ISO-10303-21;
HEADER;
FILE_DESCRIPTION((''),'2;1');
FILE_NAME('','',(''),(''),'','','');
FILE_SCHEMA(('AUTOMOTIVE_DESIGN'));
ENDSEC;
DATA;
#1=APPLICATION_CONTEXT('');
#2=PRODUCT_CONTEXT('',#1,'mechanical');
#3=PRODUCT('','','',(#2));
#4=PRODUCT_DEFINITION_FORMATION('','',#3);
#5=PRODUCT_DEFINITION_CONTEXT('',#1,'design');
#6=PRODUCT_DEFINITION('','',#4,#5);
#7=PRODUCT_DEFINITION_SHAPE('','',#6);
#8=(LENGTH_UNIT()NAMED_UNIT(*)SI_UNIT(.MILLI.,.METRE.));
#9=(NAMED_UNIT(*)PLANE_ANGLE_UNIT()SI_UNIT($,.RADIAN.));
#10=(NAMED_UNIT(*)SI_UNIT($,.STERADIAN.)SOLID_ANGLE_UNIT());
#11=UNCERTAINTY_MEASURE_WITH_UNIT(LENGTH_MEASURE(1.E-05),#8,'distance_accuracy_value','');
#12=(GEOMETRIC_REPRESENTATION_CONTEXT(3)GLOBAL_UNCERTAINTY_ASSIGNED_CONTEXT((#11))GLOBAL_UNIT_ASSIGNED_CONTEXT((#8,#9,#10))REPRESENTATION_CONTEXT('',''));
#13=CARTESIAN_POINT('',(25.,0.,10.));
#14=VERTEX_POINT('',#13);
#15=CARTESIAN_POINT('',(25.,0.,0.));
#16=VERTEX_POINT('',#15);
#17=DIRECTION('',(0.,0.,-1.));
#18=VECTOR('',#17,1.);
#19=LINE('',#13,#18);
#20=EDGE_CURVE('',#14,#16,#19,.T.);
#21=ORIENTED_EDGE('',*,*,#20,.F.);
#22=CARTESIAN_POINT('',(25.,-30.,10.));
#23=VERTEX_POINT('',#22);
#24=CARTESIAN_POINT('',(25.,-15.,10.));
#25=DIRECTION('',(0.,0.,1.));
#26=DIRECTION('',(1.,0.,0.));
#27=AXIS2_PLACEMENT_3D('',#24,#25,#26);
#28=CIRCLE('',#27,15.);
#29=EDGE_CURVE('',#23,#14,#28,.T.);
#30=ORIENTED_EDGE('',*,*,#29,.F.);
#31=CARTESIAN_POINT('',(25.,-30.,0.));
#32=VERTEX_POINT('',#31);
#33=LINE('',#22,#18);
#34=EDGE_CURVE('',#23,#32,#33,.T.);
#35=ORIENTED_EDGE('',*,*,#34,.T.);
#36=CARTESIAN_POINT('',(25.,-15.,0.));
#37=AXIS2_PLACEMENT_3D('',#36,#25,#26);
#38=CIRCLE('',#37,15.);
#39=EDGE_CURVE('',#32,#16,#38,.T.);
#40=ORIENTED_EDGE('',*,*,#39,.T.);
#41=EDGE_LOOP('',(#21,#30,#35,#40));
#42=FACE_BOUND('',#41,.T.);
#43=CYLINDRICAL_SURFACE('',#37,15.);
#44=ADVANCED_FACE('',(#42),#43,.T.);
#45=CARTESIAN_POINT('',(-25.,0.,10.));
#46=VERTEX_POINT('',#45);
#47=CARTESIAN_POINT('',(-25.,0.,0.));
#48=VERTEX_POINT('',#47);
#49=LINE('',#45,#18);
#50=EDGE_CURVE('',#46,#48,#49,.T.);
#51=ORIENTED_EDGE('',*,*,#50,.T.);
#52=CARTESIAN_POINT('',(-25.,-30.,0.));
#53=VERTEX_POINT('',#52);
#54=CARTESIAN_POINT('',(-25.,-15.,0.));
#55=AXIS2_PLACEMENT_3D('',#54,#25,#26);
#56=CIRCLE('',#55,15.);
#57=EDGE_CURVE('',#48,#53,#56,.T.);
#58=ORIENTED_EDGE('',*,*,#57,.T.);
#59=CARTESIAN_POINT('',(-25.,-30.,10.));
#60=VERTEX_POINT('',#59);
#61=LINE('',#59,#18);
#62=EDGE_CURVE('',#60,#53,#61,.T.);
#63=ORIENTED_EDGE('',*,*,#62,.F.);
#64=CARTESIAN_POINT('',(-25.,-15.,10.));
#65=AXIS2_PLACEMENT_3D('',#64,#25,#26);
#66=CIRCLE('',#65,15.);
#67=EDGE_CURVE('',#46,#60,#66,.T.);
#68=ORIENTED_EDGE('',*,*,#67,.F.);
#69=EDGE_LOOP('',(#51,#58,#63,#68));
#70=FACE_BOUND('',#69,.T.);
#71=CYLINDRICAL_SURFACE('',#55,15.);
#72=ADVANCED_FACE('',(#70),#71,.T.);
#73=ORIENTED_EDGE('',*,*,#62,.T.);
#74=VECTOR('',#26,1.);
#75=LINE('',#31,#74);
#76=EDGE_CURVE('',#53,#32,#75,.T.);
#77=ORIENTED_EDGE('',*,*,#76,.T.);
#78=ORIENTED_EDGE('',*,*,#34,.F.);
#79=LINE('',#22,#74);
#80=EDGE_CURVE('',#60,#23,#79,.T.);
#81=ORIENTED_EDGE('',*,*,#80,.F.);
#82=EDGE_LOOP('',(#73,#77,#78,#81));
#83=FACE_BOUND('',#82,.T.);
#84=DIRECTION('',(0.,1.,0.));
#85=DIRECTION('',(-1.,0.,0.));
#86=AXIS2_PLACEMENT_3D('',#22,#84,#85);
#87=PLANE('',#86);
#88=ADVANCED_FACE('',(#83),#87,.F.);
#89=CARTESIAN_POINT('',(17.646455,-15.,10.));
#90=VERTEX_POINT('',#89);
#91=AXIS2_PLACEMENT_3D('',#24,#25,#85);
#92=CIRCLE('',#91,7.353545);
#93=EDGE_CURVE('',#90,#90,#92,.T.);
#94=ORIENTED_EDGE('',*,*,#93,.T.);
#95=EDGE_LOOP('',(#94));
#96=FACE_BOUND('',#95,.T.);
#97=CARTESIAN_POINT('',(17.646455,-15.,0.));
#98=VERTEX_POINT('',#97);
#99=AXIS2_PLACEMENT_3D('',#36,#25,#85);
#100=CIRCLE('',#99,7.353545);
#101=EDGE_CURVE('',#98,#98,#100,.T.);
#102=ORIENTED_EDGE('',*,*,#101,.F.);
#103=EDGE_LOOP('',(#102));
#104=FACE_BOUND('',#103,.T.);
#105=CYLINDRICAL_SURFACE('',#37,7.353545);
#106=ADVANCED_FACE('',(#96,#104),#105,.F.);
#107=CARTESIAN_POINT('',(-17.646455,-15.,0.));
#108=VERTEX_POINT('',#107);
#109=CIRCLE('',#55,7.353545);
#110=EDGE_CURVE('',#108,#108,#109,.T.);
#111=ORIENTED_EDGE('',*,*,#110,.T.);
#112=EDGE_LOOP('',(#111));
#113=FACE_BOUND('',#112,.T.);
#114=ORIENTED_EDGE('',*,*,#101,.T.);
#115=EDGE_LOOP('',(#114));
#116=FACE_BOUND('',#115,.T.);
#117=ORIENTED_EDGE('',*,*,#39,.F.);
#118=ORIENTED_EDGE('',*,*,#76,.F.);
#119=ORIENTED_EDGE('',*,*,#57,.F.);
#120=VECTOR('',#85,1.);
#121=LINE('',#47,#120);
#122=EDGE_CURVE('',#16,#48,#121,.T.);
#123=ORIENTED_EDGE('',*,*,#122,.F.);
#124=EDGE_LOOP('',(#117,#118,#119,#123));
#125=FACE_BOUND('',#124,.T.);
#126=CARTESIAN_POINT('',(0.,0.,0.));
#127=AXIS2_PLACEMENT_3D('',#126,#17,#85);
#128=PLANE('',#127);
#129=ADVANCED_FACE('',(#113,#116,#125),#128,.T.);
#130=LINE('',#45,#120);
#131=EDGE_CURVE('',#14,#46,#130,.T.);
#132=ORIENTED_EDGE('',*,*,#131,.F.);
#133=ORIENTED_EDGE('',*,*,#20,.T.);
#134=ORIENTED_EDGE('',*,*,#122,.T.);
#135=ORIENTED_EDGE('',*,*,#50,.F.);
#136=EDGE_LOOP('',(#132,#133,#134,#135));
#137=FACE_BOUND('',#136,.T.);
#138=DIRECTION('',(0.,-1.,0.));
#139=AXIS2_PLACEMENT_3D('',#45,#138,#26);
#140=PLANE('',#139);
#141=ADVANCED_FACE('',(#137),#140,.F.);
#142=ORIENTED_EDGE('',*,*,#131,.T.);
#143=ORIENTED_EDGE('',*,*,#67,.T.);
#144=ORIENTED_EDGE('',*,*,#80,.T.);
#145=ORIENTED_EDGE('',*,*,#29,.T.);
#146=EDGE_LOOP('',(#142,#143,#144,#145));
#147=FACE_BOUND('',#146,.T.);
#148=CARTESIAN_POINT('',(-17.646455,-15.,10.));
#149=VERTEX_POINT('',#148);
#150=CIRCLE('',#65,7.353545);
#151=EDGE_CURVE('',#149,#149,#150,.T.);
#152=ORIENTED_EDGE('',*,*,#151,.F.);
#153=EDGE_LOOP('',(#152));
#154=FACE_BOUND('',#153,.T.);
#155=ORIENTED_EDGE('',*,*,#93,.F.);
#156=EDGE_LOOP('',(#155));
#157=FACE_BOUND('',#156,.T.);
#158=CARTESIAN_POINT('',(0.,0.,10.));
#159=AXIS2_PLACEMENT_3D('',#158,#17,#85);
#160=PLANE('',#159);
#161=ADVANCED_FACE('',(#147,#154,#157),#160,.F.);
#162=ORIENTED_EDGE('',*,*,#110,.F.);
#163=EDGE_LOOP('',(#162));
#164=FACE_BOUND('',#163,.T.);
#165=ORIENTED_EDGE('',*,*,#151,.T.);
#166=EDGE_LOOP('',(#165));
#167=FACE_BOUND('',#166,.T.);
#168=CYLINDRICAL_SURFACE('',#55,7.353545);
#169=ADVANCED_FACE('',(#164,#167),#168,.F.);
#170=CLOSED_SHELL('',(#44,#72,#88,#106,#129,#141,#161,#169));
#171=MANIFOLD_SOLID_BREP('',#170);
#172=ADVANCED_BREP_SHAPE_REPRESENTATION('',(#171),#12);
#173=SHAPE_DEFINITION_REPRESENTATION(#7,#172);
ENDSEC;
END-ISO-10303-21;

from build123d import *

# Parameters (mm, degrees)
SKETCH1_W           = 50
SKETCH1_H           = 30
BOSS_EXTRUDE2_DEPTH = 10
BOSS_EXTRUDE3_DEPTH = 10
BOSS_EXTRUDE4_DEPTH = 10
SKETCH6_R           = 7.353544845
CUT_EXTRUDE1_DEPTH  = 10


with BuildPart() as part:
    # Sketch1 → Boss-Extrude2 (new body)
    with BuildSketch(Plane.XY):
        with Locations((0, -15)):
            Rectangle(SKETCH1_W, SKETCH1_H)
    extrude(amount=BOSS_EXTRUDE2_DEPTH)

    # Sketch4 → Boss-Extrude3 (add)
    with BuildSketch(Plane.XY.offset(10)):
        with BuildLine():
            Line((25, 0), (25, -30))
            ThreePointArc((25, -30), (40, -15), (25, 0))
        make_face()
    extrude(amount=-BOSS_EXTRUDE3_DEPTH)

    # Sketch5 → Boss-Extrude4 (add)
    with BuildSketch(Plane.XY.offset(10)):
        with BuildLine():
            Line((-25, 0), (-25, -30))
            ThreePointArc((-25, -30), (-40, -15), (-25, 0))
        make_face()
    extrude(amount=-BOSS_EXTRUDE4_DEPTH)

    # Sketch6 → Cut-Extrude1 (cut)
    with BuildSketch(Plane.XY.offset(10)):
        with Locations((-25, -15)):
            Circle(SKETCH6_R)
        with Locations(Location((25, -15, 0), (0, 0, 180))):
            Circle(SKETCH6_R)
    extrude(amount=-CUT_EXTRUDE1_DEPTH, mode=Mode.SUBTRACT)


solid = part.part
